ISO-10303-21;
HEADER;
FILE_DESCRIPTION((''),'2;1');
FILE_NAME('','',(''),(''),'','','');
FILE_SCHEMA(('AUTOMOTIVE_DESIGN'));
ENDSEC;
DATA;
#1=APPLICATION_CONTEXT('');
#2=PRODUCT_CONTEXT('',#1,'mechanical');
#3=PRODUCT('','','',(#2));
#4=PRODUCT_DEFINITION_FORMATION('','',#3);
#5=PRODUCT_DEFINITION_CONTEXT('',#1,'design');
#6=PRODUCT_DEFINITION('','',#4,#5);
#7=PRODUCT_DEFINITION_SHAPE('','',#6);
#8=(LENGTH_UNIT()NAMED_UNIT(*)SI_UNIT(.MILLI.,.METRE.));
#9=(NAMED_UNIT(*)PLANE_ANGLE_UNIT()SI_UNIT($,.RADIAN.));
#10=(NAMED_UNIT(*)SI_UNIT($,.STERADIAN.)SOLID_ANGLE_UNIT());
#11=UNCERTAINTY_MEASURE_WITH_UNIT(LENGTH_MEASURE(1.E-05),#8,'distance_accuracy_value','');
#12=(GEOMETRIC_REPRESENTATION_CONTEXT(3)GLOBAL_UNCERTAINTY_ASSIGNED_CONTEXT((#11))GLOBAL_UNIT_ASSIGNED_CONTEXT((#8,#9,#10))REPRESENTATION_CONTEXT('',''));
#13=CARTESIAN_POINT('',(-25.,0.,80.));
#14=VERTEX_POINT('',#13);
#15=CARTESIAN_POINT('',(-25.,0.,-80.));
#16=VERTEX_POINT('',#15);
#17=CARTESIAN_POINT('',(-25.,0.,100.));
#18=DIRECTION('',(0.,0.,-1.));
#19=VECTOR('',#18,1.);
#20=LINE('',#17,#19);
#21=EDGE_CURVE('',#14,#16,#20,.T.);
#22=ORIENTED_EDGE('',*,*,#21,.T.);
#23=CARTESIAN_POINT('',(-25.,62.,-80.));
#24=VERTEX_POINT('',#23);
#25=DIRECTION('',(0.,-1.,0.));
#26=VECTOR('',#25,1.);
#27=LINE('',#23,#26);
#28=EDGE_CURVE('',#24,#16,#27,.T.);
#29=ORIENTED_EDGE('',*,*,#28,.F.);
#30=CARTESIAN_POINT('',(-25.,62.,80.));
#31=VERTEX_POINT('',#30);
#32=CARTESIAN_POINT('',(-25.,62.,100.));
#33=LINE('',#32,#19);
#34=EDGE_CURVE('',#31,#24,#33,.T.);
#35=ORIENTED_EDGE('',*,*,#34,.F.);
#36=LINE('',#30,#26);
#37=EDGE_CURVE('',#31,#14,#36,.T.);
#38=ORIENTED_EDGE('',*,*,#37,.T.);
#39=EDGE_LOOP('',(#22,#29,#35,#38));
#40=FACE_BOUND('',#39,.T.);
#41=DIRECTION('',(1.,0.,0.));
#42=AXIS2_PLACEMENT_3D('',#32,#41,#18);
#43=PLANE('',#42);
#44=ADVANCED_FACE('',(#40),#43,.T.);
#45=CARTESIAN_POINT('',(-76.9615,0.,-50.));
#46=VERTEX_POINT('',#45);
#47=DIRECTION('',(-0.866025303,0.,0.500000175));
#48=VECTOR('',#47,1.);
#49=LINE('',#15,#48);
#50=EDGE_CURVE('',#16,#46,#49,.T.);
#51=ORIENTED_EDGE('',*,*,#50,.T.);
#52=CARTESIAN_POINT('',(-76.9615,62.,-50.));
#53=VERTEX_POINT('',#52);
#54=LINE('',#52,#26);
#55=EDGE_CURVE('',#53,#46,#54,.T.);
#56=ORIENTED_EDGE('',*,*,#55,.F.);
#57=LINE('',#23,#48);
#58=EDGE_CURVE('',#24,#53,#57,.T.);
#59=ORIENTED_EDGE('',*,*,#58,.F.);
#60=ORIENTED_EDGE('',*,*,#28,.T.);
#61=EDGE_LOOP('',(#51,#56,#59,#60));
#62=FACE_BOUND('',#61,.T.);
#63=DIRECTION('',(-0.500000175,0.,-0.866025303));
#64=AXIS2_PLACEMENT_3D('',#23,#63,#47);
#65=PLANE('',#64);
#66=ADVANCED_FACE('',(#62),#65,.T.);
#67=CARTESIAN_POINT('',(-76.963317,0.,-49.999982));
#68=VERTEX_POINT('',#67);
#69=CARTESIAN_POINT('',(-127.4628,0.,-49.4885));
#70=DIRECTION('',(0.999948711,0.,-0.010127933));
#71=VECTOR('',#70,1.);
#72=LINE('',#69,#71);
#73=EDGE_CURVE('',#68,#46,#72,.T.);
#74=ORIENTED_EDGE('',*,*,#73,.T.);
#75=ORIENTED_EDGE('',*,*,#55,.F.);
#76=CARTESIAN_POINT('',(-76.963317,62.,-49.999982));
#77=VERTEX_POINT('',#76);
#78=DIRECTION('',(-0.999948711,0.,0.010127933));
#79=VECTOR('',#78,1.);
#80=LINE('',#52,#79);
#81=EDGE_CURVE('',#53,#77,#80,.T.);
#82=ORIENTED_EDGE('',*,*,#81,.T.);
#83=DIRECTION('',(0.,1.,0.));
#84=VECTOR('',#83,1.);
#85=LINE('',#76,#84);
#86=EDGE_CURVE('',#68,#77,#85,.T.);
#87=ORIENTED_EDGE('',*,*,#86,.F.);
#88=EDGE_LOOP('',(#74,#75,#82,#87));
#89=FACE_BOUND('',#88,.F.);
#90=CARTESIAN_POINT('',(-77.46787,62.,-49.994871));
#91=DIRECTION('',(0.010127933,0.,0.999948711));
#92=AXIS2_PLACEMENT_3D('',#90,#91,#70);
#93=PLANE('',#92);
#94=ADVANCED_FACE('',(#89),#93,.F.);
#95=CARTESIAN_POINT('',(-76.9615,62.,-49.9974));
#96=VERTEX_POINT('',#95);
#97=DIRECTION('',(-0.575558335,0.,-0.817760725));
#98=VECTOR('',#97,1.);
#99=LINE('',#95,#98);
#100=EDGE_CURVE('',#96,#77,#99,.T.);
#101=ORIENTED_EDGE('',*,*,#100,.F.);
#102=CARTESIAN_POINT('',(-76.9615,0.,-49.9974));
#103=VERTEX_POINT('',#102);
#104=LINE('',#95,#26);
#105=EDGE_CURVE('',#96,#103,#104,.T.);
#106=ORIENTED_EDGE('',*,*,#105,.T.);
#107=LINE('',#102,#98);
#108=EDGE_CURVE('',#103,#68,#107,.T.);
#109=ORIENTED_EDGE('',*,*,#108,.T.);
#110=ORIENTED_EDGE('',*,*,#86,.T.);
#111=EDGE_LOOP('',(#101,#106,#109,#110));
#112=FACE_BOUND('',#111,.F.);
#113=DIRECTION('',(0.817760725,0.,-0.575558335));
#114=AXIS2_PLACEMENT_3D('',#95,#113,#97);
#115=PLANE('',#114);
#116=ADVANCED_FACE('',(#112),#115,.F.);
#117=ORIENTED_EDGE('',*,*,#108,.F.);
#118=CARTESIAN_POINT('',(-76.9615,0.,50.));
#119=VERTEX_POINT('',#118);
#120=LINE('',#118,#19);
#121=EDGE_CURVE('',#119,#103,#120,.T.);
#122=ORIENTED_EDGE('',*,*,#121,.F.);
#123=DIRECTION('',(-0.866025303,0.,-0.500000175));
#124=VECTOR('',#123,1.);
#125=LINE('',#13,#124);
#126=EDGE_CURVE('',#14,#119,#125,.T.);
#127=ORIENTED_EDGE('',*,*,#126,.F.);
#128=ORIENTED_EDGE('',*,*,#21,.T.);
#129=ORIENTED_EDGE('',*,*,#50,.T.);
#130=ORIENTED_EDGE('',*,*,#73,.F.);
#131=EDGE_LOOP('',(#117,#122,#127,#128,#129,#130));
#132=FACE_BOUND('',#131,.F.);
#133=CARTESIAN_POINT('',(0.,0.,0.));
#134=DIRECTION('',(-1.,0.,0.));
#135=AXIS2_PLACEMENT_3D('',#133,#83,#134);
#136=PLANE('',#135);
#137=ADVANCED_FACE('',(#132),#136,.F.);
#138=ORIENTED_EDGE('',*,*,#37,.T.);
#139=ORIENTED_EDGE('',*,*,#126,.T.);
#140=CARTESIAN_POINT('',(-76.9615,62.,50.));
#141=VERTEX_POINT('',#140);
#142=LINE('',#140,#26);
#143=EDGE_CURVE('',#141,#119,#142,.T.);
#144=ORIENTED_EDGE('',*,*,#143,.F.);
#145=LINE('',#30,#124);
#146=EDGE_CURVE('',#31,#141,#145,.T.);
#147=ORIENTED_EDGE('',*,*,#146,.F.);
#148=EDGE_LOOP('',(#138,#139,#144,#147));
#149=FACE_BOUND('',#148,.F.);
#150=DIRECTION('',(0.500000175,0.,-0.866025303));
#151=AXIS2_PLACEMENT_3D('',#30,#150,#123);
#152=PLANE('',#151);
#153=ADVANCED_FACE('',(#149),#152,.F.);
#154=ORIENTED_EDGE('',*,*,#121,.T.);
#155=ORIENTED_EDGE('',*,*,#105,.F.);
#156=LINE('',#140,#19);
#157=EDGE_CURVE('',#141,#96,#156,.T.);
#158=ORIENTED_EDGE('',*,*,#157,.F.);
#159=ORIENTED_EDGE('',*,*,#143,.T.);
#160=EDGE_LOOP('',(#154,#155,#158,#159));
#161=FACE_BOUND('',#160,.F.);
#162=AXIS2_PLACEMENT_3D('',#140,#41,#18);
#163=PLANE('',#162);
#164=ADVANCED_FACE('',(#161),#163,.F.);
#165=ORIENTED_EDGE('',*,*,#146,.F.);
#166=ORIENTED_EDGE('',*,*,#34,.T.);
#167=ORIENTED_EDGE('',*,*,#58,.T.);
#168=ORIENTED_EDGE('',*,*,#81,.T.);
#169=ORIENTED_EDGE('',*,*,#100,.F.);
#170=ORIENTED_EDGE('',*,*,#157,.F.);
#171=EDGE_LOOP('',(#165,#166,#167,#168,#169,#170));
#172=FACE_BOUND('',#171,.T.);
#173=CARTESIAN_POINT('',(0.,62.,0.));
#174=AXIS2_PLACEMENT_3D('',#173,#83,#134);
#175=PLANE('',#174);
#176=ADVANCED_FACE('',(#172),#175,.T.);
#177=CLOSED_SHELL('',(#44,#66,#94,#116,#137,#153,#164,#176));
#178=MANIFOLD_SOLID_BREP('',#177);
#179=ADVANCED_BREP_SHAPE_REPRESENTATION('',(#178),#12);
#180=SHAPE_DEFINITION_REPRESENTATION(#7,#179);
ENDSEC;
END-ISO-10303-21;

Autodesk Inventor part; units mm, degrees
ref_plane "YZ Plane" through (0, 0, 0) normal (1, 0, 0) x (0, 1, 0)
ref_plane "XZ Plane" through (0, 0, 0) normal (0, 1, 0) x (-1, 0, 0)
ref_plane "XY Plane" through (0, 0, 0) normal (0, 0, 1) x (1, 0, 0)
sketch "Sketch1" plane through (0, 0, 0) normal (0, 1, 0) x (-1, 0, 0)
  line L0 (25, 100) -> (-25, 100)
  line L1 (-25, 100) -> (-25, -100)
  line L2 (-25, -100) -> (25, -100)
  line L3 (25, -100) -> (25, 100)
  line L4 (25, 100) -> (-25, -100) construction
  line L5 (-25, 100) -> (25, -100) construction
  point P0 (0, 0)
  dimension "d0" = 50
  dimension "d1" = 200
extrude "Extrusion1" add sketch "Sketch1" along normal blind 62
sketch "Sketch2" plane through (-25, 0, 100) normal (0, 0, 1) x (1, 0, 0)
  line L0 (50, 62) -> (0, 62) projected
  line L1 (50, 62) -> (90, 62)
  line L2 (90, 62) -> (90, 42)
  line L3 (90, 42) -> (53.2289, 0)
  line L4 (53.2289, 0) -> (50, 0)
  line L5 (50, 62) -> (50, 0)
  point P0 (25, 0)
  dimension "d4" = 40
  dimension "d5" = 20
  dimension "d6" = 90
extrude "Extrusion2" add sketch "Sketch2" against normal up to surface (200 mm away)
sketch "Sketch3" plane through (0, 62, 0) normal (0, 1, 0) x (1, 0, 0)
  line L0 (-25, 100) -> (-25, -100) projected
  line L1 (-25, -100) -> (-25, 100)
  line L2 (-25, 100) -> (-25, 80)
  line L3 (-25, 80) -> (-76.9615, 50)
  line L4 (-25, -100) -> (-25, -80)
  line L5 (-25, -80) -> (-76.9615, -50)
  line L6 (-76.9615, -50) -> (-76.9615, 50)
  circle A0 centre (-76.9615, 0) radius 49.9974
  circle A1 centre (-126.9564, -0.5064) radius 49.9974
  line L7 (-76.9615, -50) -> (-126.45, -50.5013)
  line L8 (-127.4628, 49.4885) -> (-76.9615, 50)
  point P0 (0, 0)
  point P1 (-76.9615, 49.9974)
  point P2 (-77.4679, 49.9949)
  point P3 (-76.9615, -1.0128)
  dimension "d9" = 20
  dimension "d10" = 60
  dimension "d11" = 120
  dimension "d12" = 20
  dimension "d13" = 60
  dimension "d14" = 120
extrude "Extrusion3" add sketch "Sketch3" against normal blind 62
sketch "Sketch4" plane through (0, 62, 0) normal (0, 1, 0) x (1, 0, 0)
  line L0 (-25, -100) -> (28.2289, -100) projected
  line L1 (-25, 100) -> (-25, 80) projected
  line L2 (-25, -100) -> (-25, 100)
  line L3 (-25, 100) -> (29.4775, 197.567)
  line L4 (29.4775, 197.567) -> (135.6867, 127.811)
  line L5 (135.6867, 127.811) -> (135.6867, -104.409)
  line L6 (135.6867, -104.409) -> (110.0345, -245.7212)
  line L7 (110.0345, -245.7212) -> (-5.1754, -156.6135)
  line L8 (-5.1754, -156.6135) -> (-25, -100)
  line L9 (-76.9615, -50) -> (-76.9615, 49.9974)
  line L10 (-76.9615, 49.9974) -> (-143.8651, 145.0549)
  line L11 (-143.8651, 145.0549) -> (-248.9816, -0.0013)
  line L12 (-248.9816, -0.0013) -> (-240.1494, -166.1828)
  line L13 (-240.1494, -166.1828) -> (-110.4133, -169.4443)
  line L14 (-110.4133, -169.4443) -> (-76.9615, -50)
  point P0 (0, 0)
extrude "Extrusion4" cut sketch "Sketch4" against normal blind 62 contours L14 L13 L12 L11 L10 L9
extrude "Extrusion5" cut sketch "Sketch4" against normal blind 62 contours L3 L4 L5 L6 L7 L8 L2 L1
properties part number "Piece2" material "Stainless Steel"
